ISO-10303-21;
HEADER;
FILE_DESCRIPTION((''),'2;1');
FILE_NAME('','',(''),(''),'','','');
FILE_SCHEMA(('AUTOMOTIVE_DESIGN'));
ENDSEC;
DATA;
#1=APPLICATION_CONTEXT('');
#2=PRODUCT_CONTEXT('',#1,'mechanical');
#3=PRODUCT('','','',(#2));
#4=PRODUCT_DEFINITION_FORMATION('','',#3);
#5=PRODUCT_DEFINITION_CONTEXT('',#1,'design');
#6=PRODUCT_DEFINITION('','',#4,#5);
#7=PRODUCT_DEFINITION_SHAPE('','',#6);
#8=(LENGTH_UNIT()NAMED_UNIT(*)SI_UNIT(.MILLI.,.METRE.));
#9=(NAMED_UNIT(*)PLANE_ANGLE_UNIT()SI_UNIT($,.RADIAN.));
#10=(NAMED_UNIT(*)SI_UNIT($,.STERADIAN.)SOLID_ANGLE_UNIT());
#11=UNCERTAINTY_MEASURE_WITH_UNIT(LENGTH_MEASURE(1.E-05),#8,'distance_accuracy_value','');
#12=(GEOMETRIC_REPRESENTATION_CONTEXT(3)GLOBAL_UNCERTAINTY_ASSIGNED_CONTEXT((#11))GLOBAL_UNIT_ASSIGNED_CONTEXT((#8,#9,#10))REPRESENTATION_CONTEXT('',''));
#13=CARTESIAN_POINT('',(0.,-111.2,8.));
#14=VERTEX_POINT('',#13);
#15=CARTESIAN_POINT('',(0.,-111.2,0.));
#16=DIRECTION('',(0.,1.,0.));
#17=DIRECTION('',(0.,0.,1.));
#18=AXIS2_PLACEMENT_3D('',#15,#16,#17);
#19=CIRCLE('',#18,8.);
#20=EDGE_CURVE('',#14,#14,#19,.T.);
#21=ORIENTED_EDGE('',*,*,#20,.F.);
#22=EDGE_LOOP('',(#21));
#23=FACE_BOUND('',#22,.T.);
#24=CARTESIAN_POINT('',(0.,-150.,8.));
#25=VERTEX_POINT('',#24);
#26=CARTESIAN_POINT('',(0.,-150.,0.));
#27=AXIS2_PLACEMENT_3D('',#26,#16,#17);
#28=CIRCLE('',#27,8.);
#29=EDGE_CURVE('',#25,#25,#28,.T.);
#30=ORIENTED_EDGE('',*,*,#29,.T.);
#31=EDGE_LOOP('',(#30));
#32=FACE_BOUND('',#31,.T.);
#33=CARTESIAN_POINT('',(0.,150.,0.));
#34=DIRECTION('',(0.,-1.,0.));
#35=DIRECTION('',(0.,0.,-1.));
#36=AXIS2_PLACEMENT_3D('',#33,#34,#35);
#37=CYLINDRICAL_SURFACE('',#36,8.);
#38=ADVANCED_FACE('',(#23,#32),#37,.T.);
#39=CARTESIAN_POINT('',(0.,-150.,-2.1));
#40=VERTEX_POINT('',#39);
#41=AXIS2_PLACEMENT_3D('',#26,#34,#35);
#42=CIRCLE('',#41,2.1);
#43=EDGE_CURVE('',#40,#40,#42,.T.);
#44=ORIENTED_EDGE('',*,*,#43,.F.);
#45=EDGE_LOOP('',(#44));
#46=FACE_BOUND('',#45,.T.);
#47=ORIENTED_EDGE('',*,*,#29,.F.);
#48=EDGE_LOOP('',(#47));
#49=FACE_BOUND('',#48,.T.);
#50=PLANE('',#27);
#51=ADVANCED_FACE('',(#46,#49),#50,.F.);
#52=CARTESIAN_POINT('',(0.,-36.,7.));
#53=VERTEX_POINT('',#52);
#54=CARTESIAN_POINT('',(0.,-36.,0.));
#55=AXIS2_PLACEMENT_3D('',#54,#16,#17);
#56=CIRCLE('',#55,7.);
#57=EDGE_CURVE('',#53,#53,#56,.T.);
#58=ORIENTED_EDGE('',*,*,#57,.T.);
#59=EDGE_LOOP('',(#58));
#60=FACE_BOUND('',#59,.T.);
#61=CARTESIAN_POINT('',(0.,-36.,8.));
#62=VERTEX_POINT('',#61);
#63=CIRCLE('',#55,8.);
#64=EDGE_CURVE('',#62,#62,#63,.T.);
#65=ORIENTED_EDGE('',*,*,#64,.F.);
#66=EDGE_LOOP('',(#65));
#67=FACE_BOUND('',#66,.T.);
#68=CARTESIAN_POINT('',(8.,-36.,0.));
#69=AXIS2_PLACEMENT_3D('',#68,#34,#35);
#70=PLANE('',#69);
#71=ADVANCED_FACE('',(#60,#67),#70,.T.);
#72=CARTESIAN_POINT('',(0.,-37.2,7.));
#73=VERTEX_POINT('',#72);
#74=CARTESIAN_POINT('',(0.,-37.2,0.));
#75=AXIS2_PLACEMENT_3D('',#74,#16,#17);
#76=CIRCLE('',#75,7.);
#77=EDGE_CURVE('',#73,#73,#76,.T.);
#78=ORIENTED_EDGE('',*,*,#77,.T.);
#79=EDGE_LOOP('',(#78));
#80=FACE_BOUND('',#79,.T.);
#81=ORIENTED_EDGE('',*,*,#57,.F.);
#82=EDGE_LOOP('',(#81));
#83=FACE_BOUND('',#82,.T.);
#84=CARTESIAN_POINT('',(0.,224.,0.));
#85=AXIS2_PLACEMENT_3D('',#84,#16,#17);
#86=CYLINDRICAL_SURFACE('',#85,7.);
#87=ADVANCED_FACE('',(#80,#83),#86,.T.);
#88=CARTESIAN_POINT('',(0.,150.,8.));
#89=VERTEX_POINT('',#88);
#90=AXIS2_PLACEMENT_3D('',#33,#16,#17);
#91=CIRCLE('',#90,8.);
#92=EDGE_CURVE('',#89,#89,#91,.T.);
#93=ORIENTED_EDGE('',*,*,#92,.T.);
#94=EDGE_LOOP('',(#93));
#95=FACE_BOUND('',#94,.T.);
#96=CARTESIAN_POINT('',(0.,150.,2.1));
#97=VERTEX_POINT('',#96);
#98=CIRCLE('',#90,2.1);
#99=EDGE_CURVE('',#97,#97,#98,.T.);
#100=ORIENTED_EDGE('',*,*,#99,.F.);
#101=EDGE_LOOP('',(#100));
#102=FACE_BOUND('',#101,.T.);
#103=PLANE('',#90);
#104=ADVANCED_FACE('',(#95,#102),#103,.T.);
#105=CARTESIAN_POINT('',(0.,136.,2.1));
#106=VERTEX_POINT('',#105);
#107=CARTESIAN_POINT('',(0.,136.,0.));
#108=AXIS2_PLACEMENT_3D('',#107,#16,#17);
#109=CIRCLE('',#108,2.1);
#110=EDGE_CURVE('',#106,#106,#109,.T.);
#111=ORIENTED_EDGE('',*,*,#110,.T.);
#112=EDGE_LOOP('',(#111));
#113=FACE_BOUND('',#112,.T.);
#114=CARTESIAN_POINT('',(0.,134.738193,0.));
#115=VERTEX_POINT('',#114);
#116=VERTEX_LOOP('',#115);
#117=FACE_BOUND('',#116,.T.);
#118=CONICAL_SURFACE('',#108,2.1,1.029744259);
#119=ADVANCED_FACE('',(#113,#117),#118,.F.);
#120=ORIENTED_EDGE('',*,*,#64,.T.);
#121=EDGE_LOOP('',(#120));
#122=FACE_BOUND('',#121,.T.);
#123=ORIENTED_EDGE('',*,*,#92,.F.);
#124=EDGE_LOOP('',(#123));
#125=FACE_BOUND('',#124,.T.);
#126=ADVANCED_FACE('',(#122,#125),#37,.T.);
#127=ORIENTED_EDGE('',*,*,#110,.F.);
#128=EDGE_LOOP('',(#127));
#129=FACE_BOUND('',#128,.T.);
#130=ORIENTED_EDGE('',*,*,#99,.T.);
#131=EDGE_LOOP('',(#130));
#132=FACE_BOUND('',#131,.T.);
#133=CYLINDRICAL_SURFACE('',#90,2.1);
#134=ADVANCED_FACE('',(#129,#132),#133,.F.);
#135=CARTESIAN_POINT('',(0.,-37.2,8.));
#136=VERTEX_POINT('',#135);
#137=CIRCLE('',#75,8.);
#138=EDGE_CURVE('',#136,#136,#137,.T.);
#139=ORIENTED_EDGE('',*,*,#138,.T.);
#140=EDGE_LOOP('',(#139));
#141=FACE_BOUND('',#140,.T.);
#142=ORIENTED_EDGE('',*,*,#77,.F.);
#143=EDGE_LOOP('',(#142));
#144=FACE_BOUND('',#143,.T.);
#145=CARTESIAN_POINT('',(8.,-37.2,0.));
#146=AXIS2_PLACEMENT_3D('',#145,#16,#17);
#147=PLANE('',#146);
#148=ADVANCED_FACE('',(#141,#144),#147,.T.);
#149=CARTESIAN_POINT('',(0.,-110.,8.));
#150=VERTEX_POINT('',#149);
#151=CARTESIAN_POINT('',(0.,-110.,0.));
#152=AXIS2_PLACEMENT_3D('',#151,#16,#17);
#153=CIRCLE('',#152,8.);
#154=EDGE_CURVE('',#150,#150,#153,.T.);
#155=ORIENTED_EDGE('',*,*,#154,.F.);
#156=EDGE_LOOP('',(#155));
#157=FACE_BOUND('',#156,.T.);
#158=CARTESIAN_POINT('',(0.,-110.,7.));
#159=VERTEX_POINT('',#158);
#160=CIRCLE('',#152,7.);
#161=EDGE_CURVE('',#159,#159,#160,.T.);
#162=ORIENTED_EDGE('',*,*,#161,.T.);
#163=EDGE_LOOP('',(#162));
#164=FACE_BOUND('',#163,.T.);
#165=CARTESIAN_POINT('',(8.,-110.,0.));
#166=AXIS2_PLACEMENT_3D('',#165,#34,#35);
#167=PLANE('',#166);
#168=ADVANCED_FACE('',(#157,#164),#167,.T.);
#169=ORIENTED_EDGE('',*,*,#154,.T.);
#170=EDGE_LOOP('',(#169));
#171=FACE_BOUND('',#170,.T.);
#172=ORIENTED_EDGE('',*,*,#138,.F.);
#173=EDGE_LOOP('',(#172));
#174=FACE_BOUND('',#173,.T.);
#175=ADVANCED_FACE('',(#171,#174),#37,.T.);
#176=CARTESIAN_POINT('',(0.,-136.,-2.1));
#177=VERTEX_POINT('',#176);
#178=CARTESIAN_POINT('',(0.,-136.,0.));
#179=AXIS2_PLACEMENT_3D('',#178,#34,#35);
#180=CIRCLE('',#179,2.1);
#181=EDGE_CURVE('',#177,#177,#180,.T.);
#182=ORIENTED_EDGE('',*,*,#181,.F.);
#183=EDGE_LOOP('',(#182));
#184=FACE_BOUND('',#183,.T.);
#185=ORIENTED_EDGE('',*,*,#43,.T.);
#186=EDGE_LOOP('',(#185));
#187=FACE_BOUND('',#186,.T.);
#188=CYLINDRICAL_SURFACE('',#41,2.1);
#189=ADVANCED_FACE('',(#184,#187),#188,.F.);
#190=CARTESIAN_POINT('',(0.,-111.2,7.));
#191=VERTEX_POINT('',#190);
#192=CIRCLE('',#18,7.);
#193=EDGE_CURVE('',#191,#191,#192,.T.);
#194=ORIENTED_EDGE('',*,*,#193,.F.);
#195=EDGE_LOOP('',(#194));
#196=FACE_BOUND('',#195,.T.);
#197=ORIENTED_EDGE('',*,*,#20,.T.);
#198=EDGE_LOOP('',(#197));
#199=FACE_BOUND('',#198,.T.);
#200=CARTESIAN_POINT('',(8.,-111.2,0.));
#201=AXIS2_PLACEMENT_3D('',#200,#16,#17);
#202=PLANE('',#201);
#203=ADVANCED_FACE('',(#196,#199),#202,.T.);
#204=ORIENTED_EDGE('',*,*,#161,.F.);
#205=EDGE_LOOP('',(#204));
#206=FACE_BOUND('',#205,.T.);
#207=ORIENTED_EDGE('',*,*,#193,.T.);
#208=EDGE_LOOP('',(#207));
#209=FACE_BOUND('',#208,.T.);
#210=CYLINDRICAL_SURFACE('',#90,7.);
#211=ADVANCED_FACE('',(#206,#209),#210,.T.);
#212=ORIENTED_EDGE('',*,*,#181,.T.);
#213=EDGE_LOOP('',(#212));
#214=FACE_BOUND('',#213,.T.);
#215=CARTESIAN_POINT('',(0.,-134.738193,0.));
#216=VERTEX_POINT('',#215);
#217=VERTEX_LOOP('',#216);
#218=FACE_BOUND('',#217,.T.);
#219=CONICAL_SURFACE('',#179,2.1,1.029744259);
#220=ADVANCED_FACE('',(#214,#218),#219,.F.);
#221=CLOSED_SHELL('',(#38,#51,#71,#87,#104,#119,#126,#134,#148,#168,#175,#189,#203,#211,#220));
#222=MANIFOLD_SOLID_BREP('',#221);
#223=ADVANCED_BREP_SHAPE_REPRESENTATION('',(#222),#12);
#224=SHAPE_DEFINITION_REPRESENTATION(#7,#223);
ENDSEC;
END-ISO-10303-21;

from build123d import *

# Parameters (mm, degrees)
SKETCH_1_R             = 8
EXTRUDE_1_DEPTH        = 150
SKETCH_5_W             = 1
SKETCH_5_H             = 1.2
PATTERN_LINEAR_1_COUNT = 2
PATTERN_LINEAR_1_PITCH = 74


with BuildPart() as part:
    # 草图1 → 凸台-拉伸1 (new, symmetric)
    with BuildSketch(Plane(origin=(0, 0, 0), x_dir=(1, 0, 0), z_dir=(0, 1, 0))):
        with Locations(Location((0, 0, 0), (0, 0, 270))):
            Circle(SKETCH_1_R)
    extrude(amount=EXTRUDE_1_DEPTH, both=True)

    # 草图3 → M5 螺纹孔1 (revolve, cut)
    with BuildSketch(Plane(origin=(0, 150, 0), x_dir=(0, 0, 1), z_dir=(1, 0, 0))):
        Polygon((0, 0), (0, 15.2618073), (2.1, 14), (2.1, 0), align=None)
    hole_wizard_m5_1 = revolve(axis=Axis((0, 156.35, 0), (0, -1, 0)), mode=Mode.SUBTRACT)

    # 镜向1: M5 螺纹孔1 across plane
    add(hole_wizard_m5_1.mirror(Plane.ZX), mode=Mode.SUBTRACT)

    # 草图5 → 切除-旋转1 (revolve, cut)
    with BuildSketch(Plane.XY, mode=Mode.PRIVATE) as cut_revolve_1_sk:
        with Locations((7.5, -110.6)):
            Rectangle(SKETCH_5_W, SKETCH_5_H)
    cut_revolve_1 = revolve(cut_revolve_1_sk.sketch.rotate(Axis((0, 150, 0), (0, -1, 0)), 90), axis=Axis((0, 150, 0), (0, -1, 0)), mode=Mode.SUBTRACT)

    # 阵列(线性)1: 切除-旋转1 ×2
    with Locations(*[(0, i * PATTERN_LINEAR_1_PITCH, 0) for i in range(1, PATTERN_LINEAR_1_COUNT)]):
        add(cut_revolve_1, mode=Mode.SUBTRACT)


solid = part.part
